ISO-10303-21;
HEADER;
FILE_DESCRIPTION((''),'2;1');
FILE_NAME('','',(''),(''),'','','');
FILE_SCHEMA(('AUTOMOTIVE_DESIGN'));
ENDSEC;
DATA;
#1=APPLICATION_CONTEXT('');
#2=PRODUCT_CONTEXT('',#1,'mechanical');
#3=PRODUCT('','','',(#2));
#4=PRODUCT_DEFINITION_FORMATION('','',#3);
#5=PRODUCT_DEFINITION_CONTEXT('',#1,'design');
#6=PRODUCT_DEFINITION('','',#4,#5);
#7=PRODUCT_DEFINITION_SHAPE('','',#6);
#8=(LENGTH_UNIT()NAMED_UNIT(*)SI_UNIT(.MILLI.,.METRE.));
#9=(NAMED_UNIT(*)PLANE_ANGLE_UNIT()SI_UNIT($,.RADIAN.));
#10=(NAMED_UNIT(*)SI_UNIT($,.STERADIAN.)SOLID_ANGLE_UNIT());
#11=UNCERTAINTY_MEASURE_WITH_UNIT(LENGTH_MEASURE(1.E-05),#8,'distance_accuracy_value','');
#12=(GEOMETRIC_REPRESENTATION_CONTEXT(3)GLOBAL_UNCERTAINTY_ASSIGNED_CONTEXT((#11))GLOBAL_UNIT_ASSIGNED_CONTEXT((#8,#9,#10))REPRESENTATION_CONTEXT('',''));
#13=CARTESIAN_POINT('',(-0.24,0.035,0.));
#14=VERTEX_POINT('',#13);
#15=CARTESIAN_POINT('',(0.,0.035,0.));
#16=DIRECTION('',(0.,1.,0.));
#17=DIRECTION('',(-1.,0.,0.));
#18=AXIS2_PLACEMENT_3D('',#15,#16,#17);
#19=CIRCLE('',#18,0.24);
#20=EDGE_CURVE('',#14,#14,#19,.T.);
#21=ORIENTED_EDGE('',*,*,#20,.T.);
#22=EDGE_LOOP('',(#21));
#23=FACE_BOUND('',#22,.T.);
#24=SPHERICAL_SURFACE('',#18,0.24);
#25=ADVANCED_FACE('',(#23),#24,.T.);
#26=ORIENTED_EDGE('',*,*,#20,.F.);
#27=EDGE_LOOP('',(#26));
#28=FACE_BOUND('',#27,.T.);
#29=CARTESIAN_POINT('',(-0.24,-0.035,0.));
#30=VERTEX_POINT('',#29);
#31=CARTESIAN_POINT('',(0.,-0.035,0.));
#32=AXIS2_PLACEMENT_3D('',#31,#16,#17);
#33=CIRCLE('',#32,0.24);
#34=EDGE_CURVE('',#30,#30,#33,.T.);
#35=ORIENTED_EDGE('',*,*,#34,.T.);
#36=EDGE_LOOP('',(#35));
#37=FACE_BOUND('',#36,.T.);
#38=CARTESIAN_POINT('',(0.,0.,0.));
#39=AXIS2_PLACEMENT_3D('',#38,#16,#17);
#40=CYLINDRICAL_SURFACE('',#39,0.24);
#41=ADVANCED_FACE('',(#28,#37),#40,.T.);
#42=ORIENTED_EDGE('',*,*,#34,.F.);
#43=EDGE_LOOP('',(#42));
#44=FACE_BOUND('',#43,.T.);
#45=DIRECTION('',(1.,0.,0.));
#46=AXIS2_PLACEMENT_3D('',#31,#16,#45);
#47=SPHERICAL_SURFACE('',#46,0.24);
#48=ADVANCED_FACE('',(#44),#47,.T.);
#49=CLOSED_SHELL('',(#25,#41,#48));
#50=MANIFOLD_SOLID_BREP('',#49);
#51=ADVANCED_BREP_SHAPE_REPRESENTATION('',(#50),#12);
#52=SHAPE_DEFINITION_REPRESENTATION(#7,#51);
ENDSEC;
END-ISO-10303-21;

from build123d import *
from build123d.topology import SkipClean

# Parameters (mm, degrees)
REVOLVE1_ANGLE = 180


with BuildPart() as part:
    # Revolve Profile → Revolve1 (revolve)
    with BuildSketch(Plane.XY):
        with BuildLine():
            Line((0, -0.275), (0, 0.275))
            ThreePointArc((0, 0.275), (-0.169705627, 0.204705627), (-0.24, 0.035))
            Line((-0.24, 0.035), (-0.24, -0.035))
            ThreePointArc((-0.24, -0.035), (-0.169705627, -0.204705627), (0, -0.275))
        make_face()
    revolve(axis=Axis((0, 0, 0), (0, -1, 0)), revolution_arc=REVOLVE1_ANGLE)

    # Mirror1: part across plane


with BuildPart() as part_1:
    with SkipClean():  # the faces are left unmerged after this step: merging them gives an invalid solid
        add(part.part)
        add(part.part.mirror(Plane.XY))


solid = part_1.part
